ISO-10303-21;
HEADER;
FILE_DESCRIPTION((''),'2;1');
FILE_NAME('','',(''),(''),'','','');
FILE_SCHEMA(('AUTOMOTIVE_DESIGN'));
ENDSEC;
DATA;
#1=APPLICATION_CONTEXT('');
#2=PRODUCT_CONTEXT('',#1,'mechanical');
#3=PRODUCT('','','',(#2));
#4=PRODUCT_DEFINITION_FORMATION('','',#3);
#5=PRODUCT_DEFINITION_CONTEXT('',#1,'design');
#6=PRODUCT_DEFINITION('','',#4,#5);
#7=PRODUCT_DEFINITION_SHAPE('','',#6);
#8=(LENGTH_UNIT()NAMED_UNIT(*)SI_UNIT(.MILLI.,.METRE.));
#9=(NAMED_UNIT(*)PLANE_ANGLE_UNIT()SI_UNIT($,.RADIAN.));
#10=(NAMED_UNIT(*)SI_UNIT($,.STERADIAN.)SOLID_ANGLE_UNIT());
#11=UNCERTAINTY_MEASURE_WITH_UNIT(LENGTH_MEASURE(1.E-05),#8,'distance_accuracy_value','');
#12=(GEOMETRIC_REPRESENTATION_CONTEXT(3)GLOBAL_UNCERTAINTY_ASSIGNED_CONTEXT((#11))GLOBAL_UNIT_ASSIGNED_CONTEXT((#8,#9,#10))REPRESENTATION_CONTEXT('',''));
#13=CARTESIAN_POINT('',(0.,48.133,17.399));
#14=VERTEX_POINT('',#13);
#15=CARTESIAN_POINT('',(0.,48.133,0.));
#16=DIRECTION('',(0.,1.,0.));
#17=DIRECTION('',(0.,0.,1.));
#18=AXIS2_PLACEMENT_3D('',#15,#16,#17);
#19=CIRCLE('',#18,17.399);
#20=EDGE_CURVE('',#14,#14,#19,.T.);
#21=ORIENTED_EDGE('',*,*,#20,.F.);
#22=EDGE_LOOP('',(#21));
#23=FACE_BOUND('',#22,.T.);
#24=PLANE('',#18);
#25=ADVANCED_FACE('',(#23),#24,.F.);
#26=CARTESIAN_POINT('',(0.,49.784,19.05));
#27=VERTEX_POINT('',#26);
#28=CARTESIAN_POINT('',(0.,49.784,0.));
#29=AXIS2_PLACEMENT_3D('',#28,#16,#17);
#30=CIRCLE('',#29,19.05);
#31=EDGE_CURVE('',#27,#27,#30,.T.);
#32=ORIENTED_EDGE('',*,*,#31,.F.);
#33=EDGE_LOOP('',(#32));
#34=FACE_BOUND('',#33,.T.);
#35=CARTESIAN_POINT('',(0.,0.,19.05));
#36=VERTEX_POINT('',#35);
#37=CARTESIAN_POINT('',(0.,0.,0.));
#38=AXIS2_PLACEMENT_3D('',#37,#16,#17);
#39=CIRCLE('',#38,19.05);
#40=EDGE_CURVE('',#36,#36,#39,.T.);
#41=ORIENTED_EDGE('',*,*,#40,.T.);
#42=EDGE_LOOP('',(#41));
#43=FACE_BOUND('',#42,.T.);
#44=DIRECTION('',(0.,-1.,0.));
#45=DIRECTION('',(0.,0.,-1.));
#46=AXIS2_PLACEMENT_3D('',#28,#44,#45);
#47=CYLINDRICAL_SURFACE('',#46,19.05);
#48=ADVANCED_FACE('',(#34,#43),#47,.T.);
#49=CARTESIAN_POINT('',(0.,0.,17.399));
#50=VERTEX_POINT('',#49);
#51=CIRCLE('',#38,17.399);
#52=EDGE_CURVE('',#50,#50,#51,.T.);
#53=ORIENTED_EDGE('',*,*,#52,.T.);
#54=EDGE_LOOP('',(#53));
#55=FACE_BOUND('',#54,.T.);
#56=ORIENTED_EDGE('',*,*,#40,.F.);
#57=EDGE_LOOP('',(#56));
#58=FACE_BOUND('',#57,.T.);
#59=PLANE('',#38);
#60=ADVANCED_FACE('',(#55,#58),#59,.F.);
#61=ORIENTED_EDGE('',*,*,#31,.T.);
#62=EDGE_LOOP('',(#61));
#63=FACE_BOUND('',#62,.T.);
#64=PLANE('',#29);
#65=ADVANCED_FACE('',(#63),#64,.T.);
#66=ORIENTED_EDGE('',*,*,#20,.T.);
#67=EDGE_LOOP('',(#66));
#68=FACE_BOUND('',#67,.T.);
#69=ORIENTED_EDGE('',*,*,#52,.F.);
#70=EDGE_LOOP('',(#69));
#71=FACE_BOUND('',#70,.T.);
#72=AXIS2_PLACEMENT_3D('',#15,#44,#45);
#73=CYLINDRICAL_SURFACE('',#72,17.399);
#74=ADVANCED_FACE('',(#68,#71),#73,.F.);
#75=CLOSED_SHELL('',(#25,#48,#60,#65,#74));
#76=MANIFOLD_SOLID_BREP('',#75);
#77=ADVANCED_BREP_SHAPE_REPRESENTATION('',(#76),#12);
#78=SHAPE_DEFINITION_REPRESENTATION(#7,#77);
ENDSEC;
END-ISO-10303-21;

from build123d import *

# Parameters (mm, degrees)
SKETCH1_R          = 19.05
EXTRUDE1_DEPTH     = 49.784
SKETCH2_R          = 17.399
CUT_EXTRUDE2_DEPTH = 48.133


with BuildPart() as part:
    # Sketch1 → Extrude1 (new body)
    with BuildSketch(Plane(origin=(0, 0, 0), x_dir=(1, 0, 0), z_dir=(0, 1, 0))):
        with Locations(Location((0, 0, 0), (0, 0, 270))):
            Circle(SKETCH1_R)
    extrude(amount=EXTRUDE1_DEPTH)

    # Sketch2 → Cut-Extrude2 (cut)
    with BuildSketch(Plane(origin=(0, 0, 0), x_dir=(1, 0, 0), z_dir=(0, 1, 0))):
        with Locations(Location((0, 0, 0), (0, 0, 270))):
            Circle(SKETCH2_R)
    extrude(amount=CUT_EXTRUDE2_DEPTH, mode=Mode.SUBTRACT)


solid = part.part
